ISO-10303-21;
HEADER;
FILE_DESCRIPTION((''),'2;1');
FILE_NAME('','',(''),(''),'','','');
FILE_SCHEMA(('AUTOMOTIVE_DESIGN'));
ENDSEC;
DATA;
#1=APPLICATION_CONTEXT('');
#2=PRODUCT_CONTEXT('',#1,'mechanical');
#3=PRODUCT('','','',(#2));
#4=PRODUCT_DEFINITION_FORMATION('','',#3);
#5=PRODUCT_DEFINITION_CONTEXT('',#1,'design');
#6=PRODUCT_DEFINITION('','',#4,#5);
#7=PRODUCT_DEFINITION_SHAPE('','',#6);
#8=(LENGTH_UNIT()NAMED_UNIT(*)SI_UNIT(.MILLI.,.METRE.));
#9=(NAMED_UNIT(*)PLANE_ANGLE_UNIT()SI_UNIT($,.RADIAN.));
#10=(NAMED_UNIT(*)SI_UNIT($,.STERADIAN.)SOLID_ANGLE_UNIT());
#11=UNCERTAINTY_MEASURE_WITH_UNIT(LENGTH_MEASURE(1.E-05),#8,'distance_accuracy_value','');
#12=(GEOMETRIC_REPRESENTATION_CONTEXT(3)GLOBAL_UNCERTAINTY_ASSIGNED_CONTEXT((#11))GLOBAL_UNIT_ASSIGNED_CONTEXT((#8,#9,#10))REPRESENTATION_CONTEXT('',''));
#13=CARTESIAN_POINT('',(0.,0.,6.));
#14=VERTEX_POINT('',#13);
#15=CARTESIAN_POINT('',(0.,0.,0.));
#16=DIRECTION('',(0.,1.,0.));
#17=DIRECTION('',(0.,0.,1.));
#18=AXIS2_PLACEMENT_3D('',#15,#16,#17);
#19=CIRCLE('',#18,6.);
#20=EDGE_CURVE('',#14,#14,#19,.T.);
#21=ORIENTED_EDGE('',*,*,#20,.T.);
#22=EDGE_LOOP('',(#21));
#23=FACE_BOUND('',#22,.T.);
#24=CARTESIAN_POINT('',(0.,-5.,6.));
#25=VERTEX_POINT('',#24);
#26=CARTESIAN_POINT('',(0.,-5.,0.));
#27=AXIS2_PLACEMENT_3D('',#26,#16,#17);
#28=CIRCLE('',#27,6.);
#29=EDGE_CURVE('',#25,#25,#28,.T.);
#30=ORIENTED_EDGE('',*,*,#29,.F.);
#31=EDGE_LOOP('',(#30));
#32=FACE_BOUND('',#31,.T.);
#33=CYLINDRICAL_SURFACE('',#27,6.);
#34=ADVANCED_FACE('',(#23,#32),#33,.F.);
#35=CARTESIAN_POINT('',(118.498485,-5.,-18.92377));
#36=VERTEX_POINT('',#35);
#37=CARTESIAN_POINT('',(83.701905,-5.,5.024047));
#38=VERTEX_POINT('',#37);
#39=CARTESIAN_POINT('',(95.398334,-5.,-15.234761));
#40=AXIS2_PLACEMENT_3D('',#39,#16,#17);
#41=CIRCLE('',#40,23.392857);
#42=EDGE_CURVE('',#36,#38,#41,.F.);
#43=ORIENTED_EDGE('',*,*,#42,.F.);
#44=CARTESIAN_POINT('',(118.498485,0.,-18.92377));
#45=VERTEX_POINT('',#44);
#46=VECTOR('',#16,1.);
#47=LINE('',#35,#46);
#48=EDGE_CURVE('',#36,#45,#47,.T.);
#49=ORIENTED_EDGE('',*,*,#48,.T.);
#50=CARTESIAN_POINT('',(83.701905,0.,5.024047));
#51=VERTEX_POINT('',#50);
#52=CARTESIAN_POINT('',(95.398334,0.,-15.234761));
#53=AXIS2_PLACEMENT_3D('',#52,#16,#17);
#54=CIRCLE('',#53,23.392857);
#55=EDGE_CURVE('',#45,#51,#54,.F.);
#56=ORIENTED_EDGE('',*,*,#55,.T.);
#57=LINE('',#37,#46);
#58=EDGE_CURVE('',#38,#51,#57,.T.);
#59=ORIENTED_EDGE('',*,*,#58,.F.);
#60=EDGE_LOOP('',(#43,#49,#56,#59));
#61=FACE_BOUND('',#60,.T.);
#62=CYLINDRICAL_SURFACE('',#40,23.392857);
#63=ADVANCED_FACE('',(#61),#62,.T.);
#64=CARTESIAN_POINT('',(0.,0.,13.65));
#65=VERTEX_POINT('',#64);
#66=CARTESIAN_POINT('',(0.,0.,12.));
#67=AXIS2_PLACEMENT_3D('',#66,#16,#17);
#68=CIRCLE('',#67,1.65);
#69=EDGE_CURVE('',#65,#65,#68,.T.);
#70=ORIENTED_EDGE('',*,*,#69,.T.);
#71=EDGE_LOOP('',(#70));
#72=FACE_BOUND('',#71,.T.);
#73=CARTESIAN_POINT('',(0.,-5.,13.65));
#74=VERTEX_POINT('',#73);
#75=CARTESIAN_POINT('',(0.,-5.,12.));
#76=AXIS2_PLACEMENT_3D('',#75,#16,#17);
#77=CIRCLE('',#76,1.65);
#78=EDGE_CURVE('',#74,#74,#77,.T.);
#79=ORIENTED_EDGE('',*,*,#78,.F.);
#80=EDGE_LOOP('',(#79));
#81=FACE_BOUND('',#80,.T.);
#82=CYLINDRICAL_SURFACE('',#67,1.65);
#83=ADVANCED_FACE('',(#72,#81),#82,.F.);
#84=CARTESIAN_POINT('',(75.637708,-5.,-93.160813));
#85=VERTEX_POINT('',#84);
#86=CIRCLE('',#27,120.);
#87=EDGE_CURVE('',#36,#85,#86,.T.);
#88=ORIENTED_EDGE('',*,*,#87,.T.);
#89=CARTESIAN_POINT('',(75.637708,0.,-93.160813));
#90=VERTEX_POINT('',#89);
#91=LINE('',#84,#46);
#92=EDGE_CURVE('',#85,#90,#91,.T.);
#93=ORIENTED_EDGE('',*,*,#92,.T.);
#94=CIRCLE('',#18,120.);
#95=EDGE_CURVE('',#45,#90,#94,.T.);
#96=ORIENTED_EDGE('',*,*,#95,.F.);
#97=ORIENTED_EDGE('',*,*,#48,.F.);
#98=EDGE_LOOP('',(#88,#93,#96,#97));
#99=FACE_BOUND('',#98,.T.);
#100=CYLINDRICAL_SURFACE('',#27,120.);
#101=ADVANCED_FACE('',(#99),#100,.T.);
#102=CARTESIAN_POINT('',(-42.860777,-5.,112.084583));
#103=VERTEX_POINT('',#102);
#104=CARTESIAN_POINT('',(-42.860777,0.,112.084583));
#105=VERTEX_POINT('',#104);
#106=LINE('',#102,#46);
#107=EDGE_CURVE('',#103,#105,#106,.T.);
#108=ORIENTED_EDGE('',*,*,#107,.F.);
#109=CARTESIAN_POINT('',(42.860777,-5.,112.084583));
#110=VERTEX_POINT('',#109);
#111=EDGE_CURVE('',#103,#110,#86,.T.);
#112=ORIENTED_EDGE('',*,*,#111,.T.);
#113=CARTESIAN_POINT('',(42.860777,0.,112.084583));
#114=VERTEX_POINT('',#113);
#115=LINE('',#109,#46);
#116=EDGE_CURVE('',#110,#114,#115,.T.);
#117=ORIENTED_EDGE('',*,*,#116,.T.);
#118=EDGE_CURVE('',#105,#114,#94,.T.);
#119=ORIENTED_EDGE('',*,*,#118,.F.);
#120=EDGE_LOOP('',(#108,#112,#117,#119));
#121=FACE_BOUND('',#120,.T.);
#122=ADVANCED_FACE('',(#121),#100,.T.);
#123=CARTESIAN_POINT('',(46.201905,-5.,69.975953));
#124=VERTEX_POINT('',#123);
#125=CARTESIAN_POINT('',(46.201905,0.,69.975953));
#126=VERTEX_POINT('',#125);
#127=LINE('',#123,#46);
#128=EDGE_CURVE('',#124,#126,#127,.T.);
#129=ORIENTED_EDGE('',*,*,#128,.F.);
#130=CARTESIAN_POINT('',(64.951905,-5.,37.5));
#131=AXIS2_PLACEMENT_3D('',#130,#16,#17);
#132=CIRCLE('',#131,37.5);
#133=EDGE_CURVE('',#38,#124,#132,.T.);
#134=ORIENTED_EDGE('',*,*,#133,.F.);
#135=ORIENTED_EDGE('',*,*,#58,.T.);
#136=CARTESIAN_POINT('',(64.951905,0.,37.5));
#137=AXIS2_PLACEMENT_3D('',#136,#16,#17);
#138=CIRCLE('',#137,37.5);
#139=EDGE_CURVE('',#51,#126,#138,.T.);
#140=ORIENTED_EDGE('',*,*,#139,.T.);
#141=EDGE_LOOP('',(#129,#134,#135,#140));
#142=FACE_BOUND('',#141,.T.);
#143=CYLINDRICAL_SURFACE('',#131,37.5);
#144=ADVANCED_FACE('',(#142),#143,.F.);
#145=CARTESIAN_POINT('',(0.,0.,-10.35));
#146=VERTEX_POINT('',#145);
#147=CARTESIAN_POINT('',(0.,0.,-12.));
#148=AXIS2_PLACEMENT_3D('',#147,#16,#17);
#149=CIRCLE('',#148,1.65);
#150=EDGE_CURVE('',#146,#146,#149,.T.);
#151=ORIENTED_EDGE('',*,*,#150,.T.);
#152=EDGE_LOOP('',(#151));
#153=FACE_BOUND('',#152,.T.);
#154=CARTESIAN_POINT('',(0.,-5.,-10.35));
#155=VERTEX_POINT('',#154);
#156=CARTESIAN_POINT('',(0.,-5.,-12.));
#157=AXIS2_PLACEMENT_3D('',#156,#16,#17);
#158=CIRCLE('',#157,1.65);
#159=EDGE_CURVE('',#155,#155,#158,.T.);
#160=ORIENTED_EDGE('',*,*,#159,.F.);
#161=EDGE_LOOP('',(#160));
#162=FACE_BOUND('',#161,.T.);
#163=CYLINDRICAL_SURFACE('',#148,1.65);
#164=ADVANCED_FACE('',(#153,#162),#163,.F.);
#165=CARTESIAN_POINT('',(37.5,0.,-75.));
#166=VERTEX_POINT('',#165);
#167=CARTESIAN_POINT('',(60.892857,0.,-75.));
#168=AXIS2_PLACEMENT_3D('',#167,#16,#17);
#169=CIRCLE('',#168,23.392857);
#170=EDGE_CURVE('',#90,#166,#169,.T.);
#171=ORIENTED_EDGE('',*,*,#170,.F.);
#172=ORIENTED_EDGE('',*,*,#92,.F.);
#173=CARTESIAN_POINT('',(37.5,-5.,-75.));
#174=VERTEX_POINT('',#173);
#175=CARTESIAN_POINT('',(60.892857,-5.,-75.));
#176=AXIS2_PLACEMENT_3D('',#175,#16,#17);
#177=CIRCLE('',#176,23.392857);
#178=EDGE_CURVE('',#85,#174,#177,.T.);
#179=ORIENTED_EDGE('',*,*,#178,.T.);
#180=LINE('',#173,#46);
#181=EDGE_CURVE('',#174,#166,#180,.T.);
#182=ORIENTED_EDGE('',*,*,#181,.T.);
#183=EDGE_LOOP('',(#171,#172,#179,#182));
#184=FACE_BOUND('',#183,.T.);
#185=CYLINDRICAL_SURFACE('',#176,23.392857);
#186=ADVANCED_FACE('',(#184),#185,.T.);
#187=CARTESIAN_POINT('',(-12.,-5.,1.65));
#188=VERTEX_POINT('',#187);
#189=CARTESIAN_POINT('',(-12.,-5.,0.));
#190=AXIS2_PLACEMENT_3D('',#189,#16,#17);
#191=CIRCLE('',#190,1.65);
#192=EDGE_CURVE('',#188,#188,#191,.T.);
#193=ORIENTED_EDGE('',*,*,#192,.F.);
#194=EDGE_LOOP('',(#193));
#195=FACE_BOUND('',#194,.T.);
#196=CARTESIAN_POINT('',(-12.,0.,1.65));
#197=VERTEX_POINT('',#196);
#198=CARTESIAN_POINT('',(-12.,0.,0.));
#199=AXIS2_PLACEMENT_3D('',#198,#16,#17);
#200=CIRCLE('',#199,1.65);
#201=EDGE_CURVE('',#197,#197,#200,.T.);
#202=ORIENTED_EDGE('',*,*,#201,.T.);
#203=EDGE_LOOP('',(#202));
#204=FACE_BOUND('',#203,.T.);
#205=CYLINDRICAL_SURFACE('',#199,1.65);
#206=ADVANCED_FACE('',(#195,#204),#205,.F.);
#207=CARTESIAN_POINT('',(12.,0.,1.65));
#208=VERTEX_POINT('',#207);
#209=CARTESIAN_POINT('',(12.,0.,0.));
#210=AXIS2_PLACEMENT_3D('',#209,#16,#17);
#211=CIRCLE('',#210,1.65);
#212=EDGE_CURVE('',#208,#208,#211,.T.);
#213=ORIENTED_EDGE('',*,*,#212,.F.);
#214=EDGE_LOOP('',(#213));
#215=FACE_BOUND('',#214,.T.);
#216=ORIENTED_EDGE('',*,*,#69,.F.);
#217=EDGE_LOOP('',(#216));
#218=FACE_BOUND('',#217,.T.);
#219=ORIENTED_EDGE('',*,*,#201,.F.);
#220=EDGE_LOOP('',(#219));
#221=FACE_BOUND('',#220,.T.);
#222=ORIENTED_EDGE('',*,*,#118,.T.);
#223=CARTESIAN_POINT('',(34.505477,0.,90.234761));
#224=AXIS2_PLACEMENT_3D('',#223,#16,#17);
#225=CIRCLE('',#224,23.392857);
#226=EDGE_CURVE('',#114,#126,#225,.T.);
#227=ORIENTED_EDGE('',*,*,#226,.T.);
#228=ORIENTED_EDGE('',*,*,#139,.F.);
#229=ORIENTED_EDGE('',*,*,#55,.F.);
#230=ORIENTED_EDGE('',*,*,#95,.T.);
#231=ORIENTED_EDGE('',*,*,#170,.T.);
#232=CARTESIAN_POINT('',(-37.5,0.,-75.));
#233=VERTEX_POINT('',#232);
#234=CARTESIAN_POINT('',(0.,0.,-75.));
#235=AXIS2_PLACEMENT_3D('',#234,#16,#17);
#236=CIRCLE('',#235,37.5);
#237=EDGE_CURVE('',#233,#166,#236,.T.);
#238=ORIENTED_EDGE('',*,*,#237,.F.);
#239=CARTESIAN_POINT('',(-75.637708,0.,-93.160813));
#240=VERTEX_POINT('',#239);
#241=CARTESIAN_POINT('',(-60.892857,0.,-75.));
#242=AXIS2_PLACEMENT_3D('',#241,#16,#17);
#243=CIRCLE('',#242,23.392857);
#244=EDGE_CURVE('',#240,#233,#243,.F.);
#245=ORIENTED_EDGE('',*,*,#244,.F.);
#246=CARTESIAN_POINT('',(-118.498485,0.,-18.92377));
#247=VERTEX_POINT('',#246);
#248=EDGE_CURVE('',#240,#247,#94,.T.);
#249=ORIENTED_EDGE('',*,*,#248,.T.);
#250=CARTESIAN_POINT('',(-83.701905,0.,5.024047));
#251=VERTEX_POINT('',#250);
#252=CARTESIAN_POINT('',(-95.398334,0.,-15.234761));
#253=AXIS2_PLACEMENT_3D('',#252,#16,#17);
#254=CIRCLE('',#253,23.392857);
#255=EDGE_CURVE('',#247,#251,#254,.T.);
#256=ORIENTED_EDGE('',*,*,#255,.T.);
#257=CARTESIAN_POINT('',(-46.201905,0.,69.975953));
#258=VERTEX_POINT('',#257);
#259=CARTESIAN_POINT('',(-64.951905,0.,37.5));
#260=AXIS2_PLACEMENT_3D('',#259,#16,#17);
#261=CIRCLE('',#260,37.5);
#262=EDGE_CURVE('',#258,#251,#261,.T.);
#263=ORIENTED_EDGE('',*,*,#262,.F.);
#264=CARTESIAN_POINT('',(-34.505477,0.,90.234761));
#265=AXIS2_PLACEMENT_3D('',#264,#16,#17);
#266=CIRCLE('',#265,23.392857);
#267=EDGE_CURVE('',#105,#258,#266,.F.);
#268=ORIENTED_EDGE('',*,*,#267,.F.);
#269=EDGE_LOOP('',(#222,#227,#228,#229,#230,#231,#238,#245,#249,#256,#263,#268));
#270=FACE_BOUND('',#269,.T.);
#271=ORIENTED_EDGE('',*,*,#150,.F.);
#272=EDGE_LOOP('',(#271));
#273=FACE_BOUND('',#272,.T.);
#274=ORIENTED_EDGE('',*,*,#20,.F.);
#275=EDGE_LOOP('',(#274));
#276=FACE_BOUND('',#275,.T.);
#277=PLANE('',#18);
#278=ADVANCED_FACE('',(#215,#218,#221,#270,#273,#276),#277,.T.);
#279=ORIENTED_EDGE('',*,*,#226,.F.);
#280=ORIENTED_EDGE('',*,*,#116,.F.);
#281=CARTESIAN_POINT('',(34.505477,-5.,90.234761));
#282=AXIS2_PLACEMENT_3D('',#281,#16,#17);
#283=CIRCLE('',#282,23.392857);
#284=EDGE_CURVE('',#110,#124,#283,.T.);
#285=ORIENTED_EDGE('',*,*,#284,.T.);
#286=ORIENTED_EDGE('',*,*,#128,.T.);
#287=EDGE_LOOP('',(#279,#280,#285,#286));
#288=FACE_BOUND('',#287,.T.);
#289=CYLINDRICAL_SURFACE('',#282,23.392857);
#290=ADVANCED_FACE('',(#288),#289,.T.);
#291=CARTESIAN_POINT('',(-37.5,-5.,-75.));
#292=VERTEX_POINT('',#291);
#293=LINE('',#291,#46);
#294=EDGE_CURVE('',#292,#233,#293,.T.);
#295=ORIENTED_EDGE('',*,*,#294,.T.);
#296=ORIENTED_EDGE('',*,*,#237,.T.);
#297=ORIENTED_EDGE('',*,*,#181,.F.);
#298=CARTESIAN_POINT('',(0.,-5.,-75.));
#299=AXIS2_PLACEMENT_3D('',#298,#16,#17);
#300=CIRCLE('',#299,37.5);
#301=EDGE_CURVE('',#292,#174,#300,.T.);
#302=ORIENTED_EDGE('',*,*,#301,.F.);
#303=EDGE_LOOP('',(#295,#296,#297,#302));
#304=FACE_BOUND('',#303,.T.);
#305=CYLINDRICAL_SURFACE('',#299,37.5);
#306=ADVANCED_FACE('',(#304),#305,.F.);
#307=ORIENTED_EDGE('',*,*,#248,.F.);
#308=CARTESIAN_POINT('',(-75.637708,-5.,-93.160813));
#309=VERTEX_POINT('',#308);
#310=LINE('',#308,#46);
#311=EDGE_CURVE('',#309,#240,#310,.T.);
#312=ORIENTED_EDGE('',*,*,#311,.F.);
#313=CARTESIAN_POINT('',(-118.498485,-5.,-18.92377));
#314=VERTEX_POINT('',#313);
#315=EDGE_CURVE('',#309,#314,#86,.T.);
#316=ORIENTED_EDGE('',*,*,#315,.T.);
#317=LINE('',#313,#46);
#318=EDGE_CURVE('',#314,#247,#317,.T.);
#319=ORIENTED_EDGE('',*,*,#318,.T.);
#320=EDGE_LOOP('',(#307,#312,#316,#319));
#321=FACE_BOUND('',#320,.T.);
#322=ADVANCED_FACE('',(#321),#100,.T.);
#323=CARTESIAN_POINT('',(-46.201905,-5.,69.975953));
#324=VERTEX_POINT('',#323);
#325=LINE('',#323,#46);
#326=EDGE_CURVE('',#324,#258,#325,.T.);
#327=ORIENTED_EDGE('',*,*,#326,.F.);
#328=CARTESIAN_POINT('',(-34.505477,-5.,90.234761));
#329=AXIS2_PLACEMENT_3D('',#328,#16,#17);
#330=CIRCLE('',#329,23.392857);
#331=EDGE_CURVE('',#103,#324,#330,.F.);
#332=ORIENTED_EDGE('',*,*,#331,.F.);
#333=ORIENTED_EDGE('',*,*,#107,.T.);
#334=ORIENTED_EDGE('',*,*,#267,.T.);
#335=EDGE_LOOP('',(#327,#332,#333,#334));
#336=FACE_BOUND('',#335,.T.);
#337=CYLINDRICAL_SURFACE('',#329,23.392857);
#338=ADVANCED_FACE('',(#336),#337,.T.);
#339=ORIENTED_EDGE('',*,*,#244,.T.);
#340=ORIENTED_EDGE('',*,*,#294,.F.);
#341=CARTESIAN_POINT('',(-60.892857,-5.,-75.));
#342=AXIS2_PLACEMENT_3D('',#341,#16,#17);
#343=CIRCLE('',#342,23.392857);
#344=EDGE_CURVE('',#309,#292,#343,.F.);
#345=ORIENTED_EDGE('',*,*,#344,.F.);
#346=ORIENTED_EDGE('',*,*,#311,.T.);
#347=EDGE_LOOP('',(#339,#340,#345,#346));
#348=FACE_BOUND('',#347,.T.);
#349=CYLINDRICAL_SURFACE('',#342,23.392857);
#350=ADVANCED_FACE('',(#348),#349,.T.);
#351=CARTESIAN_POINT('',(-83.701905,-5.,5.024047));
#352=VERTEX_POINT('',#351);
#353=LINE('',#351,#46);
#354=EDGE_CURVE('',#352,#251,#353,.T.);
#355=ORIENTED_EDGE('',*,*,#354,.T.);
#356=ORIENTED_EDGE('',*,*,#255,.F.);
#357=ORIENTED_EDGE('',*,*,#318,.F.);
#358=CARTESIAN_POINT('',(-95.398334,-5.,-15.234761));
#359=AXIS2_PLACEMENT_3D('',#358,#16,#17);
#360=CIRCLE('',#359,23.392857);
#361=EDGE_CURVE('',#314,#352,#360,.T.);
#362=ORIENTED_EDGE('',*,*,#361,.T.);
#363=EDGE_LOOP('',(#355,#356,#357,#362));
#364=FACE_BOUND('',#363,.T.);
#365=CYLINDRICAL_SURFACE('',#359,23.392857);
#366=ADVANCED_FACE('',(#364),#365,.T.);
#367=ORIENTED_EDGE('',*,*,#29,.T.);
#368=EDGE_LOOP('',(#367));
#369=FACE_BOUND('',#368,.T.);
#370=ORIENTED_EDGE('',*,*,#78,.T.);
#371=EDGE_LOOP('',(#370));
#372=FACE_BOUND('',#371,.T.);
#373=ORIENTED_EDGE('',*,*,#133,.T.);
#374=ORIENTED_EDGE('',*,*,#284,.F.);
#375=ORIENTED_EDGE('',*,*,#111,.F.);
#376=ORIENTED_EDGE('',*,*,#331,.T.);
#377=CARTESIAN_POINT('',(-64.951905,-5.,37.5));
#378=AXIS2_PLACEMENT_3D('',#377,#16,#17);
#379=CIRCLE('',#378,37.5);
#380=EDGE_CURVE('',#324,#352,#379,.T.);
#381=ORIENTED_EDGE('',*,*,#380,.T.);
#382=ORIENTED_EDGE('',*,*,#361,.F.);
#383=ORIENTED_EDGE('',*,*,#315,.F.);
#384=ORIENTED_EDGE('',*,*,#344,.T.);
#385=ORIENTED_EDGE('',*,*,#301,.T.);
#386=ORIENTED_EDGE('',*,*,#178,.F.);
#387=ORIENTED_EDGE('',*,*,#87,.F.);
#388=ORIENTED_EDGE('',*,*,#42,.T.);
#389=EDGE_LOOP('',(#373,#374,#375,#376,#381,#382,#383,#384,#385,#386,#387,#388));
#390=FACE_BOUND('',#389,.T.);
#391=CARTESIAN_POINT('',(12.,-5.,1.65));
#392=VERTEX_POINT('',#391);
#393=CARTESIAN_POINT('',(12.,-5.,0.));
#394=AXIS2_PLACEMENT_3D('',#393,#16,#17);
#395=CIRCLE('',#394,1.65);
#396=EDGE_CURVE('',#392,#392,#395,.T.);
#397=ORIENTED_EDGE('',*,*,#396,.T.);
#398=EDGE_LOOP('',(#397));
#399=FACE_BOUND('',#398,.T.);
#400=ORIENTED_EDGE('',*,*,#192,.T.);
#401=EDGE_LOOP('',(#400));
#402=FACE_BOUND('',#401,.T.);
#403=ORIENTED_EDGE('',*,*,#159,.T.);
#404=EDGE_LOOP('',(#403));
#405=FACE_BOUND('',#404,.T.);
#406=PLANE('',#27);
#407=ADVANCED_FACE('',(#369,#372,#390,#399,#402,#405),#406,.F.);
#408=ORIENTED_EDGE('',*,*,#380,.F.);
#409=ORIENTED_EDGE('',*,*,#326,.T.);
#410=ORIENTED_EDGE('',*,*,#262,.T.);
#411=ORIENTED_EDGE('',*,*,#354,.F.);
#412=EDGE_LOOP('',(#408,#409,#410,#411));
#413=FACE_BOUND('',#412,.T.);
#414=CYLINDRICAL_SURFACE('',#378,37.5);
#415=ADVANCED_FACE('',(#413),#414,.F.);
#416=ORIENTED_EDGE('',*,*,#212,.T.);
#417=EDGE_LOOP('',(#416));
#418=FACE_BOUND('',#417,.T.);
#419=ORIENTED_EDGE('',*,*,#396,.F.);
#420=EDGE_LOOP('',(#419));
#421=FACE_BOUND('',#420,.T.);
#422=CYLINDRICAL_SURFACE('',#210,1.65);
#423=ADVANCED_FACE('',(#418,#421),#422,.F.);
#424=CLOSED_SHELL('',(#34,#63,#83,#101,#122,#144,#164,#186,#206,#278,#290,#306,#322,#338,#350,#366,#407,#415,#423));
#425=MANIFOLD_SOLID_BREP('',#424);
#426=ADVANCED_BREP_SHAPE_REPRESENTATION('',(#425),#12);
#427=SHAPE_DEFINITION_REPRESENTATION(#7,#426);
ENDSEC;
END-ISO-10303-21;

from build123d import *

# Parameters (mm, degrees)
SKETCH_1_R         = 6
EXTRUDE_1_DEPTH    = 5
HOLE_WIZARD_M4_1_D = 3.3


with BuildPart() as part:
    # 草圖1 → 填料-伸長1 (new body)
    with BuildSketch(Plane(origin=(0, 0, 0), x_dir=(1, 0, 0), z_dir=(0, 1, 0))):
        with BuildLine():
            ThreePointArc((-75.637707948, 93.160813309), (-103.923048454, 60), (-118.498484937, 18.923769913))
            ThreePointArc((-118.498484937, 18.923769913), (-108.660524842, -4.035424469), (-83.701905284, -5.024047358))
            ThreePointArc((-83.701905284, -5.024047358), (-32.475952642, -18.75), (-46.201905284, -69.975952642))
            ThreePointArc((-46.201905284, -69.975952642), (-57.825042527, -92.085062668), (-42.860776988, -112.084583222))
            ThreePointArc((-42.860776988, -112.084583222), (0, -120), (42.860776988, -112.084583222))
            ThreePointArc((42.860776988, -112.084583222), (57.825042527, -92.085062668), (46.201905284, -69.975952642))
            ThreePointArc((46.201905284, -69.975952642), (32.475952642, -18.75), (83.701905284, -5.024047358))
            ThreePointArc((83.701905284, -5.024047358), (108.660524842, -4.035424469), (118.498484937, 18.923769913))
            ThreePointArc((118.498484937, 18.923769913), (103.923048454, 60), (75.637707948, 93.160813309))
            ThreePointArc((75.637707948, 93.160813309), (50.835482316, 96.120487137), (37.5, 75))
            ThreePointArc((37.5, 75), (0, 37.5), (-37.5, 75))
            ThreePointArc((-37.5, 75), (-50.835482316, 96.120487137), (-75.637707948, 93.160813309))
        make_face()
        with Locations(Location((0, 0, 0), (0, 0, 270))):
            Circle(SKETCH_1_R, mode=Mode.SUBTRACT)
    extrude(amount=-EXTRUDE_1_DEPTH)

    # M4 螺紋孔1 (through all)
    with Locations(Plane(origin=(0, 0, 0), x_dir=(1, 0, 0), z_dir=(0, 1, 0))):
        with Locations((0, 12), (12, 0), (0, -12), (-12, 0)):
            Hole(HOLE_WIZARD_M4_1_D / 2)


solid = part.part
